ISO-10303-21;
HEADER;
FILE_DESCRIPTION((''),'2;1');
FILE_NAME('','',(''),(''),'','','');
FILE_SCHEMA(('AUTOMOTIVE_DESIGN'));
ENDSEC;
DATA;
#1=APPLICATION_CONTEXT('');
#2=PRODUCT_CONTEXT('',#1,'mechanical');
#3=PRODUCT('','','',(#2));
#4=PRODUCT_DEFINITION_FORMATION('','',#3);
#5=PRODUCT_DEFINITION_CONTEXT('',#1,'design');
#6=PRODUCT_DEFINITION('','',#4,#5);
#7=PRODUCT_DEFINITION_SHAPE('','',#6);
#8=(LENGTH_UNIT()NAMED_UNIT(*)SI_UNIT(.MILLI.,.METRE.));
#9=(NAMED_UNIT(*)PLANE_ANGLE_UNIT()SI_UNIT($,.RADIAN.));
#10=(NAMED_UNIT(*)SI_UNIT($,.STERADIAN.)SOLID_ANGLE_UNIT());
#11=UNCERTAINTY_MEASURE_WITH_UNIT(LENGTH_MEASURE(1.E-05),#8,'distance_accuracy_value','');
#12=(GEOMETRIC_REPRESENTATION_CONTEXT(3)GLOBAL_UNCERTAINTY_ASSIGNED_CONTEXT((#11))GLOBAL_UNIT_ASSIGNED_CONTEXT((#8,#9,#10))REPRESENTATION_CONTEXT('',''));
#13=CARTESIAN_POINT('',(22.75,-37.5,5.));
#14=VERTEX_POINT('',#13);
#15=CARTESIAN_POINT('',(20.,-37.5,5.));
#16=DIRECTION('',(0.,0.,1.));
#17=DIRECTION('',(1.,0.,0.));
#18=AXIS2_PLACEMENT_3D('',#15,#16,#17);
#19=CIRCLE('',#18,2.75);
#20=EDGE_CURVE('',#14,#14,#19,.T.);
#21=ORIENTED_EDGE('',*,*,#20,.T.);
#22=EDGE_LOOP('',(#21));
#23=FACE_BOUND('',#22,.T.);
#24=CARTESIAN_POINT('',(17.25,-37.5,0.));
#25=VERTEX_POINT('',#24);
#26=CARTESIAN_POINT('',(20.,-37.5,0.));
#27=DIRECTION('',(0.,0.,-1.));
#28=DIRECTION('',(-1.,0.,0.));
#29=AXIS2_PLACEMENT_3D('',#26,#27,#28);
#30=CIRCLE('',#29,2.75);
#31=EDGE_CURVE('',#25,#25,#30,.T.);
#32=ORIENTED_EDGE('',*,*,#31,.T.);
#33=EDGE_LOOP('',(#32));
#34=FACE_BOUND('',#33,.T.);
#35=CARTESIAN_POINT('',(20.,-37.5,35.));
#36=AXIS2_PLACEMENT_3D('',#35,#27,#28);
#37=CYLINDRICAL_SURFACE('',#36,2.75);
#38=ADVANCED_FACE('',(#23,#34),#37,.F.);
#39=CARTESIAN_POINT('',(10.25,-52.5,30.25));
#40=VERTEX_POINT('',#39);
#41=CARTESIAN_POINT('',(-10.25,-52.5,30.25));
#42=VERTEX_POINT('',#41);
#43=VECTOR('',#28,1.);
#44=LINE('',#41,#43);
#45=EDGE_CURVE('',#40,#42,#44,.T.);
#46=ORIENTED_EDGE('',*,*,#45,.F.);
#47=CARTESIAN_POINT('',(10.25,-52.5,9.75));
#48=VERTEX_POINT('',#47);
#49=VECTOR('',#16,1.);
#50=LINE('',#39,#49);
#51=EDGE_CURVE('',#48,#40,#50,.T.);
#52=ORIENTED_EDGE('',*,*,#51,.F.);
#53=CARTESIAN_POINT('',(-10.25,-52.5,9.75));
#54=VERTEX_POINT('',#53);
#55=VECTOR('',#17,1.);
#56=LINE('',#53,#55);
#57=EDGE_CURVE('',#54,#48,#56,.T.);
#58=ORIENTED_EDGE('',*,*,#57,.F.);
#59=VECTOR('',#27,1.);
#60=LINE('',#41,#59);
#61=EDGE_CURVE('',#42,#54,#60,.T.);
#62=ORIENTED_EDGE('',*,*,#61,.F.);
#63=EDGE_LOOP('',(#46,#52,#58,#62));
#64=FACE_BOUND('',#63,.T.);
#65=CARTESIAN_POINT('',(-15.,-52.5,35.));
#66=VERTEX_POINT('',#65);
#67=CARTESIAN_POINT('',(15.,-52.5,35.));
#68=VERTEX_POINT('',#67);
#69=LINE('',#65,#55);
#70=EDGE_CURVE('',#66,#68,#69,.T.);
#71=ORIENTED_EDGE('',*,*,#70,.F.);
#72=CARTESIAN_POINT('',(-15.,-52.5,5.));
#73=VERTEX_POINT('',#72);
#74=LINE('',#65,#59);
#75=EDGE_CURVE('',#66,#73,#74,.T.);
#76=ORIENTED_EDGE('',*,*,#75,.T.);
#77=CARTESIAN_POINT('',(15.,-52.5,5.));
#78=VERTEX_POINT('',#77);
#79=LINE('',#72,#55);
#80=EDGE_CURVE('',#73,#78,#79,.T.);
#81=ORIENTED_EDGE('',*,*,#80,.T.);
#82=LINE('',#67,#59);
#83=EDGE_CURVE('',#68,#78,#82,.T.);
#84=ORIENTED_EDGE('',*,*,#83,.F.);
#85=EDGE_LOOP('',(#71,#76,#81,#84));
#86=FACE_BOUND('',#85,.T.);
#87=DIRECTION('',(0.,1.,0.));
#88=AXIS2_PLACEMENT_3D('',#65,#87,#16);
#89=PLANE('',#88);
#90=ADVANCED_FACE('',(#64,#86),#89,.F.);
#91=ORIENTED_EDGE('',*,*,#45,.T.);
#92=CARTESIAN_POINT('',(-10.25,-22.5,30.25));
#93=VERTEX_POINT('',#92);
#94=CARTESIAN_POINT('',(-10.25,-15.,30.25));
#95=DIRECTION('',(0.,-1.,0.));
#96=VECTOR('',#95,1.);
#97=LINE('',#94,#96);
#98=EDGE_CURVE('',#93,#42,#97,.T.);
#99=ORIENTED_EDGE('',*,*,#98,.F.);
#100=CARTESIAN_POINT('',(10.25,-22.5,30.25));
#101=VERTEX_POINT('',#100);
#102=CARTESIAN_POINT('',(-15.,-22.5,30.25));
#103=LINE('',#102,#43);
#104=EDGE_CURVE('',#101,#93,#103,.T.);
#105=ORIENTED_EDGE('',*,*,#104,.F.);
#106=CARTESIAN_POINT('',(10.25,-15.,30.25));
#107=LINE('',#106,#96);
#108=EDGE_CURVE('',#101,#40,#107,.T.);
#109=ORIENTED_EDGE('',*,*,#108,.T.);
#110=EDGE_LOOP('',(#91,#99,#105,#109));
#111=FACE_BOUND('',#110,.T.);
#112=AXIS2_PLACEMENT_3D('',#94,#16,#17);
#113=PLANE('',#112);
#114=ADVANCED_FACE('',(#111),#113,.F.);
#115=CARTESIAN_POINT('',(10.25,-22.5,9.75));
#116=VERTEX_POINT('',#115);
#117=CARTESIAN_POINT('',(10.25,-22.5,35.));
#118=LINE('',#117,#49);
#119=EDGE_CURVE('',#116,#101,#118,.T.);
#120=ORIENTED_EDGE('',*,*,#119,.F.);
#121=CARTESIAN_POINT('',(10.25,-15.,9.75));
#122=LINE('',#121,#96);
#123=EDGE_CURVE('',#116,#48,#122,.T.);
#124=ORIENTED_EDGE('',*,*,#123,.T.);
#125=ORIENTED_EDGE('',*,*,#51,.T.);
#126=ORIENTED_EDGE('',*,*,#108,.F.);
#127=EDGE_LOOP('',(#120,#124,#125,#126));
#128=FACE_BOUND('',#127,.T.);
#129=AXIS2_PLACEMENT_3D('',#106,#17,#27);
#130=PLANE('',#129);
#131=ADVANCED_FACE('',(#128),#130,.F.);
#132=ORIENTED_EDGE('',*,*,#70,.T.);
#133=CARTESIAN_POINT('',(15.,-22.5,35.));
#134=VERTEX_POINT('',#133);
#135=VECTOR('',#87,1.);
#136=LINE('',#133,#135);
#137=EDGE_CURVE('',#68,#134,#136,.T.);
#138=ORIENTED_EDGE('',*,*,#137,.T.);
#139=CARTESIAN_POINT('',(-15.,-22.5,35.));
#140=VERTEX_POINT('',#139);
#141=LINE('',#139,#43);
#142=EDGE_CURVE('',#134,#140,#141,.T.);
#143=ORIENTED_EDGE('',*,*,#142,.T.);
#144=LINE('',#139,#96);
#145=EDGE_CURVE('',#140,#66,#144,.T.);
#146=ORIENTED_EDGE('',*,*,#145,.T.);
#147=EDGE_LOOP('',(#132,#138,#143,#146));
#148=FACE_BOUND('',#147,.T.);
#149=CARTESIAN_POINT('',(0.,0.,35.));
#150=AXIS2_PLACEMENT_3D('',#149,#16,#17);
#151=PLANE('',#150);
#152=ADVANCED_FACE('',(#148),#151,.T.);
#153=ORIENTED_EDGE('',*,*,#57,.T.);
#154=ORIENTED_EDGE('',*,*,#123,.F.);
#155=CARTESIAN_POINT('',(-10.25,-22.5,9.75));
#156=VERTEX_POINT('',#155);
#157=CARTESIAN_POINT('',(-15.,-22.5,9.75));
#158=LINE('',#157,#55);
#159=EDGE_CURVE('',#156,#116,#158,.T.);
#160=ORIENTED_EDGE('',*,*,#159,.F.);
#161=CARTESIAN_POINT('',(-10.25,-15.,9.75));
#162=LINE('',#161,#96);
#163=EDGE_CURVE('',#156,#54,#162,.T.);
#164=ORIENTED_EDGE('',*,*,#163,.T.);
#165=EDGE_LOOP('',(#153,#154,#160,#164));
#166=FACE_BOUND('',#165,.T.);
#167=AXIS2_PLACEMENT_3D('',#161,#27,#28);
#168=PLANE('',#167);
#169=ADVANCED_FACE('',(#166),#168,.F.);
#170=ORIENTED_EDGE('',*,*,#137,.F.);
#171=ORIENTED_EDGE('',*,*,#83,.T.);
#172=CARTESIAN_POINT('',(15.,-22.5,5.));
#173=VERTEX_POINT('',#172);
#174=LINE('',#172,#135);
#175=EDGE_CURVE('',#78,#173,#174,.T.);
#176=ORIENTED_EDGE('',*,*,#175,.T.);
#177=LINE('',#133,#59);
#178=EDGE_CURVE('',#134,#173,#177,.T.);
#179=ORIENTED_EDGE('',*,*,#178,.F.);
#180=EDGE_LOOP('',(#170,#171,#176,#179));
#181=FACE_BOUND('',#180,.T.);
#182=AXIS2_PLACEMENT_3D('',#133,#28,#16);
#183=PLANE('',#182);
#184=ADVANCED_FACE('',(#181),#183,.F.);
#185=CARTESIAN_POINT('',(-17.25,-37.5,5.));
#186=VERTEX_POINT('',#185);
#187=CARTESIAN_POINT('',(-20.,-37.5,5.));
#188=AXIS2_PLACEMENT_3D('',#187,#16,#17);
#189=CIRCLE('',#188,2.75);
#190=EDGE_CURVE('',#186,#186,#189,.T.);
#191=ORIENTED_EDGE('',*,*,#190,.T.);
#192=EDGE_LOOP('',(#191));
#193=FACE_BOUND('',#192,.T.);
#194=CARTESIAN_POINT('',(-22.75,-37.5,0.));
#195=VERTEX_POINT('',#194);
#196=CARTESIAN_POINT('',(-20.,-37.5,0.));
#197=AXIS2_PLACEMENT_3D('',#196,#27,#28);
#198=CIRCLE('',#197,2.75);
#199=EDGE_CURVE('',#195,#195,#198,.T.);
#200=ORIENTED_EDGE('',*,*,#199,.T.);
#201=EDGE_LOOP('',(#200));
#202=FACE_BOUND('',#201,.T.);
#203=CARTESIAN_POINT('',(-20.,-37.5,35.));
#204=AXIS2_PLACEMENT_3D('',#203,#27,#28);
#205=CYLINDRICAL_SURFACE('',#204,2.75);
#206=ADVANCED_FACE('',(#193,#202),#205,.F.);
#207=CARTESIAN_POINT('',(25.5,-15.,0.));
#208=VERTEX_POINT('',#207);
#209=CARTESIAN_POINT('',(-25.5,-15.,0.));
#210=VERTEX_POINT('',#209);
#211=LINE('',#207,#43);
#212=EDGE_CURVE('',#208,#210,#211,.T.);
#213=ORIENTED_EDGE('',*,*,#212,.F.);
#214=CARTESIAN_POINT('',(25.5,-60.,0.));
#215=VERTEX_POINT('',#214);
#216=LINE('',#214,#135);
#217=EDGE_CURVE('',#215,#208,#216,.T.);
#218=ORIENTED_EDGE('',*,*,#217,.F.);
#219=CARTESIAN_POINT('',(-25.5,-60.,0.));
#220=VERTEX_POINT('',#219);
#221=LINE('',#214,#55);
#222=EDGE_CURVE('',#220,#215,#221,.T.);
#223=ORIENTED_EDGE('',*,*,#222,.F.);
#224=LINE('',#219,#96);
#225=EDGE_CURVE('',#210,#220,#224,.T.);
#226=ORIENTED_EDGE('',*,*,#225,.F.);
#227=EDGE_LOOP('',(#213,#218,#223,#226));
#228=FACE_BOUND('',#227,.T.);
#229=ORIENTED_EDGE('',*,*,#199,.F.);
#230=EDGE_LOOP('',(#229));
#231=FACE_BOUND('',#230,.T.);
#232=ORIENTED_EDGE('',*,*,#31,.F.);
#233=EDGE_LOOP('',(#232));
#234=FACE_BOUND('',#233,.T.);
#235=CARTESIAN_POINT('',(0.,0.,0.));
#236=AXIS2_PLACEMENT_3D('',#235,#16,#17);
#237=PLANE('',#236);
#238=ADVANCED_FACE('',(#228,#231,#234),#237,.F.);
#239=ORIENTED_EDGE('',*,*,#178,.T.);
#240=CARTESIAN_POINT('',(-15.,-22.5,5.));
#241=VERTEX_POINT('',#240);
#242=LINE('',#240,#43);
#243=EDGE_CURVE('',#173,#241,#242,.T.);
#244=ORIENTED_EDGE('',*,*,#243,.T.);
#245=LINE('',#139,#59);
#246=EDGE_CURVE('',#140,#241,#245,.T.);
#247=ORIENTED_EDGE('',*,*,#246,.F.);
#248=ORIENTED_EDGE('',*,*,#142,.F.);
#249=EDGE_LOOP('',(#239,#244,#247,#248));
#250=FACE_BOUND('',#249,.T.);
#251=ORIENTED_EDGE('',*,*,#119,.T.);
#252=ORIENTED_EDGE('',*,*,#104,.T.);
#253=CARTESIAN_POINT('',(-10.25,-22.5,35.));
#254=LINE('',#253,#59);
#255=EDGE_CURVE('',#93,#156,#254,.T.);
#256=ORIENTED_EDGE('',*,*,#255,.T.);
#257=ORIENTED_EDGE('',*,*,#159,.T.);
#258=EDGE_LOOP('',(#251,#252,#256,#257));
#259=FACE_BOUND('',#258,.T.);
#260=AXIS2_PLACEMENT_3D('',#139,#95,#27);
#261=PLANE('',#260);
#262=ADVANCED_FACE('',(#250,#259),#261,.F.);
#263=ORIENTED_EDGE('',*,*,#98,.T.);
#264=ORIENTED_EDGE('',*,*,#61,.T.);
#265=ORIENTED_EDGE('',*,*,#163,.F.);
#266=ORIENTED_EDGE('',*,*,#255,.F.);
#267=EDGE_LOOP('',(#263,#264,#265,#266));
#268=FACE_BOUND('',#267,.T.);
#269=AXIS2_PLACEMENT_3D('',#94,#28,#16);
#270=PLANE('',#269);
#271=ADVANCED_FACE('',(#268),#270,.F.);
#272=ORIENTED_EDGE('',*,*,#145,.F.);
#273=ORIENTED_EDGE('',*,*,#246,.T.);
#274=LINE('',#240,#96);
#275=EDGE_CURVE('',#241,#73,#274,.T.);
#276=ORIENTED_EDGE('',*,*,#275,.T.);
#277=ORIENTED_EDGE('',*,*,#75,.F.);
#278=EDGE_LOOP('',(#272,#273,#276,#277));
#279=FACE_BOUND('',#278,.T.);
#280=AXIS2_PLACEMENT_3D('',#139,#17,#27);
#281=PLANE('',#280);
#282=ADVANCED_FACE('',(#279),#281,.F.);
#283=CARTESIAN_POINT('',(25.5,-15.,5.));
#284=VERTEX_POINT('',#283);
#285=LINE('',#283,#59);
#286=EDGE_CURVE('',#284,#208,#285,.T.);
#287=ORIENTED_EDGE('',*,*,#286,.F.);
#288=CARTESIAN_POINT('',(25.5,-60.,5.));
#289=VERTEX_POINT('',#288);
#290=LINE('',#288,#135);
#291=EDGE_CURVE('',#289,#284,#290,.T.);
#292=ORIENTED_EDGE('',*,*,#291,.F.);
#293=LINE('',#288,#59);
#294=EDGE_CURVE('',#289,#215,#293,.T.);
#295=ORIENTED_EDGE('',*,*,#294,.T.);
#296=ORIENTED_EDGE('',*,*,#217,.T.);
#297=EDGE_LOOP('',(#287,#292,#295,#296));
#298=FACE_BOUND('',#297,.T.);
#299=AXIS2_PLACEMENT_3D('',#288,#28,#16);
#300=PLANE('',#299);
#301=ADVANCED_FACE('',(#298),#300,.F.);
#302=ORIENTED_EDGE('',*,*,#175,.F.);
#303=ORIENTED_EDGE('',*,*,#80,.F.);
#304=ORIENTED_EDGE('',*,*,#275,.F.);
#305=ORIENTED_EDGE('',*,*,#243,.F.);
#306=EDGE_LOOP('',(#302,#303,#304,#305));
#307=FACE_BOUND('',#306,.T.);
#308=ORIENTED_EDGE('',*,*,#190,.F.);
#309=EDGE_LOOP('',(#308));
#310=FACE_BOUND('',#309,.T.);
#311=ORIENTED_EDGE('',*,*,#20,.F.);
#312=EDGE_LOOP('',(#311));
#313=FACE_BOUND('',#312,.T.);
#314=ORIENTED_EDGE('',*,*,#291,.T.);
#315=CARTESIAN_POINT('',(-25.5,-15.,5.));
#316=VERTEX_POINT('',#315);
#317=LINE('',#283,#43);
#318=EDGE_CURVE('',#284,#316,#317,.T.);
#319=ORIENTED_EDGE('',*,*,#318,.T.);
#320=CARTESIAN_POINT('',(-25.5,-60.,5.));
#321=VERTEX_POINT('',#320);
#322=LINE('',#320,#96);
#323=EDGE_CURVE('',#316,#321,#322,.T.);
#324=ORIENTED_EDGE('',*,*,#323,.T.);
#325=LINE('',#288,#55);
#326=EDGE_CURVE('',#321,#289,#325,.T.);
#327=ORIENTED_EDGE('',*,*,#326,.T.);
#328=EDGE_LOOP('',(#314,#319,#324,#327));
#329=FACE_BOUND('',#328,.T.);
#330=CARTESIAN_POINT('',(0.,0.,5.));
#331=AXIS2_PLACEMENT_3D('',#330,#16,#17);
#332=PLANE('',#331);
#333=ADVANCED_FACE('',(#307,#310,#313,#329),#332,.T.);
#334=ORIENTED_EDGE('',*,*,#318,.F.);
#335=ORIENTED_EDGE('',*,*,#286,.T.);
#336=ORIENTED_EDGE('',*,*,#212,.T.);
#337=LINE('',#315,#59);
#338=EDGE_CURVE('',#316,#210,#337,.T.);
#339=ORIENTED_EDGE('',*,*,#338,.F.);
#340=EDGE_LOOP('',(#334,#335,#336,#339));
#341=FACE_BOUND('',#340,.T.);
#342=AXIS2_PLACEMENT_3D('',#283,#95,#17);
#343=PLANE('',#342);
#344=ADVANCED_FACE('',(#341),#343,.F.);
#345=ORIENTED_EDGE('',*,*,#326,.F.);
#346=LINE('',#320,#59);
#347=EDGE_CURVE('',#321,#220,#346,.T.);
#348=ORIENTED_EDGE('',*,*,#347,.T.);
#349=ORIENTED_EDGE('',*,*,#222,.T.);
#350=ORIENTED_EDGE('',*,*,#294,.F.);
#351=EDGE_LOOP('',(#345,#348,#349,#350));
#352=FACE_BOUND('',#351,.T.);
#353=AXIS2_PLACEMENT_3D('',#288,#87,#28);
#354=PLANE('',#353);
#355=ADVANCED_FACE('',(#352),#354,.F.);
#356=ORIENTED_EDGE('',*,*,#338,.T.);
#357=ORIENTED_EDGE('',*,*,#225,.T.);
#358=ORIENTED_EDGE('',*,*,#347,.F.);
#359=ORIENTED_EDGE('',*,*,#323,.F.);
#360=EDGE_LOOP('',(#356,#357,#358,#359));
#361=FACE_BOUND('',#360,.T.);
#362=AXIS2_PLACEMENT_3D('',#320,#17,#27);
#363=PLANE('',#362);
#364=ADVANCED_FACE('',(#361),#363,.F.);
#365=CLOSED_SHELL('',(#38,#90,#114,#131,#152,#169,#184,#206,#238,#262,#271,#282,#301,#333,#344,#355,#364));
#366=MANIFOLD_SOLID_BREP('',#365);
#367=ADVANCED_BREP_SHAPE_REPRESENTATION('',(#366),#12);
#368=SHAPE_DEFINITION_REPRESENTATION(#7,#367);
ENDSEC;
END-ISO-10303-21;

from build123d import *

# Parameters (mm, degrees)
SKETCH1_W           = 51
SKETCH1_H           = 45
BOSS_EXTRUDE1_DEPTH = 5
SKETCH2_W           = 30
SKETCH2_H           = 30
BOSS_EXTRUDE2_DEPTH = 30
SKETCH3_W           = 20.5
SKETCH3_H           = 20.5
CUT_EXTRUDE1_DEPTH  = 38.5
SKETCH4_R           = 2.75
CUT_EXTRUDE2_DEPTH  = 36


with BuildPart() as part:
    # Sketch1 → Boss-Extrude1 (new body)
    with BuildSketch(Plane.XY):
        with Locations((0, -37.5)):
            Rectangle(SKETCH1_W, SKETCH1_H)
    extrude(amount=BOSS_EXTRUDE1_DEPTH)

    # Sketch2 → Boss-Extrude2 (add)
    with BuildSketch(Plane.XY.offset(5)):
        with Locations((0, -37.5)):
            Rectangle(SKETCH2_W, SKETCH2_H)
    extrude(amount=BOSS_EXTRUDE2_DEPTH)

    # Sketch3 → Cut-Extrude1 (cut, through all)
    with BuildSketch(Plane.XZ.offset(52.5)):
        with Locations((0, 20)):
            Rectangle(SKETCH3_W, SKETCH3_H)
    extrude(amount=-CUT_EXTRUDE1_DEPTH, mode=Mode.SUBTRACT)

    # Sketch4 → Cut-Extrude2 (cut, through all)
    with BuildSketch(Plane(origin=(0, 0, 0), x_dir=(-1, 0, 0), z_dir=(0, 0, -1))):
        with Locations((20, -37.5)):
            Circle(SKETCH4_R)
        with Locations((-20, -37.5)):
            Circle(SKETCH4_R)
    extrude(amount=-CUT_EXTRUDE2_DEPTH, mode=Mode.SUBTRACT)


solid = part.part
